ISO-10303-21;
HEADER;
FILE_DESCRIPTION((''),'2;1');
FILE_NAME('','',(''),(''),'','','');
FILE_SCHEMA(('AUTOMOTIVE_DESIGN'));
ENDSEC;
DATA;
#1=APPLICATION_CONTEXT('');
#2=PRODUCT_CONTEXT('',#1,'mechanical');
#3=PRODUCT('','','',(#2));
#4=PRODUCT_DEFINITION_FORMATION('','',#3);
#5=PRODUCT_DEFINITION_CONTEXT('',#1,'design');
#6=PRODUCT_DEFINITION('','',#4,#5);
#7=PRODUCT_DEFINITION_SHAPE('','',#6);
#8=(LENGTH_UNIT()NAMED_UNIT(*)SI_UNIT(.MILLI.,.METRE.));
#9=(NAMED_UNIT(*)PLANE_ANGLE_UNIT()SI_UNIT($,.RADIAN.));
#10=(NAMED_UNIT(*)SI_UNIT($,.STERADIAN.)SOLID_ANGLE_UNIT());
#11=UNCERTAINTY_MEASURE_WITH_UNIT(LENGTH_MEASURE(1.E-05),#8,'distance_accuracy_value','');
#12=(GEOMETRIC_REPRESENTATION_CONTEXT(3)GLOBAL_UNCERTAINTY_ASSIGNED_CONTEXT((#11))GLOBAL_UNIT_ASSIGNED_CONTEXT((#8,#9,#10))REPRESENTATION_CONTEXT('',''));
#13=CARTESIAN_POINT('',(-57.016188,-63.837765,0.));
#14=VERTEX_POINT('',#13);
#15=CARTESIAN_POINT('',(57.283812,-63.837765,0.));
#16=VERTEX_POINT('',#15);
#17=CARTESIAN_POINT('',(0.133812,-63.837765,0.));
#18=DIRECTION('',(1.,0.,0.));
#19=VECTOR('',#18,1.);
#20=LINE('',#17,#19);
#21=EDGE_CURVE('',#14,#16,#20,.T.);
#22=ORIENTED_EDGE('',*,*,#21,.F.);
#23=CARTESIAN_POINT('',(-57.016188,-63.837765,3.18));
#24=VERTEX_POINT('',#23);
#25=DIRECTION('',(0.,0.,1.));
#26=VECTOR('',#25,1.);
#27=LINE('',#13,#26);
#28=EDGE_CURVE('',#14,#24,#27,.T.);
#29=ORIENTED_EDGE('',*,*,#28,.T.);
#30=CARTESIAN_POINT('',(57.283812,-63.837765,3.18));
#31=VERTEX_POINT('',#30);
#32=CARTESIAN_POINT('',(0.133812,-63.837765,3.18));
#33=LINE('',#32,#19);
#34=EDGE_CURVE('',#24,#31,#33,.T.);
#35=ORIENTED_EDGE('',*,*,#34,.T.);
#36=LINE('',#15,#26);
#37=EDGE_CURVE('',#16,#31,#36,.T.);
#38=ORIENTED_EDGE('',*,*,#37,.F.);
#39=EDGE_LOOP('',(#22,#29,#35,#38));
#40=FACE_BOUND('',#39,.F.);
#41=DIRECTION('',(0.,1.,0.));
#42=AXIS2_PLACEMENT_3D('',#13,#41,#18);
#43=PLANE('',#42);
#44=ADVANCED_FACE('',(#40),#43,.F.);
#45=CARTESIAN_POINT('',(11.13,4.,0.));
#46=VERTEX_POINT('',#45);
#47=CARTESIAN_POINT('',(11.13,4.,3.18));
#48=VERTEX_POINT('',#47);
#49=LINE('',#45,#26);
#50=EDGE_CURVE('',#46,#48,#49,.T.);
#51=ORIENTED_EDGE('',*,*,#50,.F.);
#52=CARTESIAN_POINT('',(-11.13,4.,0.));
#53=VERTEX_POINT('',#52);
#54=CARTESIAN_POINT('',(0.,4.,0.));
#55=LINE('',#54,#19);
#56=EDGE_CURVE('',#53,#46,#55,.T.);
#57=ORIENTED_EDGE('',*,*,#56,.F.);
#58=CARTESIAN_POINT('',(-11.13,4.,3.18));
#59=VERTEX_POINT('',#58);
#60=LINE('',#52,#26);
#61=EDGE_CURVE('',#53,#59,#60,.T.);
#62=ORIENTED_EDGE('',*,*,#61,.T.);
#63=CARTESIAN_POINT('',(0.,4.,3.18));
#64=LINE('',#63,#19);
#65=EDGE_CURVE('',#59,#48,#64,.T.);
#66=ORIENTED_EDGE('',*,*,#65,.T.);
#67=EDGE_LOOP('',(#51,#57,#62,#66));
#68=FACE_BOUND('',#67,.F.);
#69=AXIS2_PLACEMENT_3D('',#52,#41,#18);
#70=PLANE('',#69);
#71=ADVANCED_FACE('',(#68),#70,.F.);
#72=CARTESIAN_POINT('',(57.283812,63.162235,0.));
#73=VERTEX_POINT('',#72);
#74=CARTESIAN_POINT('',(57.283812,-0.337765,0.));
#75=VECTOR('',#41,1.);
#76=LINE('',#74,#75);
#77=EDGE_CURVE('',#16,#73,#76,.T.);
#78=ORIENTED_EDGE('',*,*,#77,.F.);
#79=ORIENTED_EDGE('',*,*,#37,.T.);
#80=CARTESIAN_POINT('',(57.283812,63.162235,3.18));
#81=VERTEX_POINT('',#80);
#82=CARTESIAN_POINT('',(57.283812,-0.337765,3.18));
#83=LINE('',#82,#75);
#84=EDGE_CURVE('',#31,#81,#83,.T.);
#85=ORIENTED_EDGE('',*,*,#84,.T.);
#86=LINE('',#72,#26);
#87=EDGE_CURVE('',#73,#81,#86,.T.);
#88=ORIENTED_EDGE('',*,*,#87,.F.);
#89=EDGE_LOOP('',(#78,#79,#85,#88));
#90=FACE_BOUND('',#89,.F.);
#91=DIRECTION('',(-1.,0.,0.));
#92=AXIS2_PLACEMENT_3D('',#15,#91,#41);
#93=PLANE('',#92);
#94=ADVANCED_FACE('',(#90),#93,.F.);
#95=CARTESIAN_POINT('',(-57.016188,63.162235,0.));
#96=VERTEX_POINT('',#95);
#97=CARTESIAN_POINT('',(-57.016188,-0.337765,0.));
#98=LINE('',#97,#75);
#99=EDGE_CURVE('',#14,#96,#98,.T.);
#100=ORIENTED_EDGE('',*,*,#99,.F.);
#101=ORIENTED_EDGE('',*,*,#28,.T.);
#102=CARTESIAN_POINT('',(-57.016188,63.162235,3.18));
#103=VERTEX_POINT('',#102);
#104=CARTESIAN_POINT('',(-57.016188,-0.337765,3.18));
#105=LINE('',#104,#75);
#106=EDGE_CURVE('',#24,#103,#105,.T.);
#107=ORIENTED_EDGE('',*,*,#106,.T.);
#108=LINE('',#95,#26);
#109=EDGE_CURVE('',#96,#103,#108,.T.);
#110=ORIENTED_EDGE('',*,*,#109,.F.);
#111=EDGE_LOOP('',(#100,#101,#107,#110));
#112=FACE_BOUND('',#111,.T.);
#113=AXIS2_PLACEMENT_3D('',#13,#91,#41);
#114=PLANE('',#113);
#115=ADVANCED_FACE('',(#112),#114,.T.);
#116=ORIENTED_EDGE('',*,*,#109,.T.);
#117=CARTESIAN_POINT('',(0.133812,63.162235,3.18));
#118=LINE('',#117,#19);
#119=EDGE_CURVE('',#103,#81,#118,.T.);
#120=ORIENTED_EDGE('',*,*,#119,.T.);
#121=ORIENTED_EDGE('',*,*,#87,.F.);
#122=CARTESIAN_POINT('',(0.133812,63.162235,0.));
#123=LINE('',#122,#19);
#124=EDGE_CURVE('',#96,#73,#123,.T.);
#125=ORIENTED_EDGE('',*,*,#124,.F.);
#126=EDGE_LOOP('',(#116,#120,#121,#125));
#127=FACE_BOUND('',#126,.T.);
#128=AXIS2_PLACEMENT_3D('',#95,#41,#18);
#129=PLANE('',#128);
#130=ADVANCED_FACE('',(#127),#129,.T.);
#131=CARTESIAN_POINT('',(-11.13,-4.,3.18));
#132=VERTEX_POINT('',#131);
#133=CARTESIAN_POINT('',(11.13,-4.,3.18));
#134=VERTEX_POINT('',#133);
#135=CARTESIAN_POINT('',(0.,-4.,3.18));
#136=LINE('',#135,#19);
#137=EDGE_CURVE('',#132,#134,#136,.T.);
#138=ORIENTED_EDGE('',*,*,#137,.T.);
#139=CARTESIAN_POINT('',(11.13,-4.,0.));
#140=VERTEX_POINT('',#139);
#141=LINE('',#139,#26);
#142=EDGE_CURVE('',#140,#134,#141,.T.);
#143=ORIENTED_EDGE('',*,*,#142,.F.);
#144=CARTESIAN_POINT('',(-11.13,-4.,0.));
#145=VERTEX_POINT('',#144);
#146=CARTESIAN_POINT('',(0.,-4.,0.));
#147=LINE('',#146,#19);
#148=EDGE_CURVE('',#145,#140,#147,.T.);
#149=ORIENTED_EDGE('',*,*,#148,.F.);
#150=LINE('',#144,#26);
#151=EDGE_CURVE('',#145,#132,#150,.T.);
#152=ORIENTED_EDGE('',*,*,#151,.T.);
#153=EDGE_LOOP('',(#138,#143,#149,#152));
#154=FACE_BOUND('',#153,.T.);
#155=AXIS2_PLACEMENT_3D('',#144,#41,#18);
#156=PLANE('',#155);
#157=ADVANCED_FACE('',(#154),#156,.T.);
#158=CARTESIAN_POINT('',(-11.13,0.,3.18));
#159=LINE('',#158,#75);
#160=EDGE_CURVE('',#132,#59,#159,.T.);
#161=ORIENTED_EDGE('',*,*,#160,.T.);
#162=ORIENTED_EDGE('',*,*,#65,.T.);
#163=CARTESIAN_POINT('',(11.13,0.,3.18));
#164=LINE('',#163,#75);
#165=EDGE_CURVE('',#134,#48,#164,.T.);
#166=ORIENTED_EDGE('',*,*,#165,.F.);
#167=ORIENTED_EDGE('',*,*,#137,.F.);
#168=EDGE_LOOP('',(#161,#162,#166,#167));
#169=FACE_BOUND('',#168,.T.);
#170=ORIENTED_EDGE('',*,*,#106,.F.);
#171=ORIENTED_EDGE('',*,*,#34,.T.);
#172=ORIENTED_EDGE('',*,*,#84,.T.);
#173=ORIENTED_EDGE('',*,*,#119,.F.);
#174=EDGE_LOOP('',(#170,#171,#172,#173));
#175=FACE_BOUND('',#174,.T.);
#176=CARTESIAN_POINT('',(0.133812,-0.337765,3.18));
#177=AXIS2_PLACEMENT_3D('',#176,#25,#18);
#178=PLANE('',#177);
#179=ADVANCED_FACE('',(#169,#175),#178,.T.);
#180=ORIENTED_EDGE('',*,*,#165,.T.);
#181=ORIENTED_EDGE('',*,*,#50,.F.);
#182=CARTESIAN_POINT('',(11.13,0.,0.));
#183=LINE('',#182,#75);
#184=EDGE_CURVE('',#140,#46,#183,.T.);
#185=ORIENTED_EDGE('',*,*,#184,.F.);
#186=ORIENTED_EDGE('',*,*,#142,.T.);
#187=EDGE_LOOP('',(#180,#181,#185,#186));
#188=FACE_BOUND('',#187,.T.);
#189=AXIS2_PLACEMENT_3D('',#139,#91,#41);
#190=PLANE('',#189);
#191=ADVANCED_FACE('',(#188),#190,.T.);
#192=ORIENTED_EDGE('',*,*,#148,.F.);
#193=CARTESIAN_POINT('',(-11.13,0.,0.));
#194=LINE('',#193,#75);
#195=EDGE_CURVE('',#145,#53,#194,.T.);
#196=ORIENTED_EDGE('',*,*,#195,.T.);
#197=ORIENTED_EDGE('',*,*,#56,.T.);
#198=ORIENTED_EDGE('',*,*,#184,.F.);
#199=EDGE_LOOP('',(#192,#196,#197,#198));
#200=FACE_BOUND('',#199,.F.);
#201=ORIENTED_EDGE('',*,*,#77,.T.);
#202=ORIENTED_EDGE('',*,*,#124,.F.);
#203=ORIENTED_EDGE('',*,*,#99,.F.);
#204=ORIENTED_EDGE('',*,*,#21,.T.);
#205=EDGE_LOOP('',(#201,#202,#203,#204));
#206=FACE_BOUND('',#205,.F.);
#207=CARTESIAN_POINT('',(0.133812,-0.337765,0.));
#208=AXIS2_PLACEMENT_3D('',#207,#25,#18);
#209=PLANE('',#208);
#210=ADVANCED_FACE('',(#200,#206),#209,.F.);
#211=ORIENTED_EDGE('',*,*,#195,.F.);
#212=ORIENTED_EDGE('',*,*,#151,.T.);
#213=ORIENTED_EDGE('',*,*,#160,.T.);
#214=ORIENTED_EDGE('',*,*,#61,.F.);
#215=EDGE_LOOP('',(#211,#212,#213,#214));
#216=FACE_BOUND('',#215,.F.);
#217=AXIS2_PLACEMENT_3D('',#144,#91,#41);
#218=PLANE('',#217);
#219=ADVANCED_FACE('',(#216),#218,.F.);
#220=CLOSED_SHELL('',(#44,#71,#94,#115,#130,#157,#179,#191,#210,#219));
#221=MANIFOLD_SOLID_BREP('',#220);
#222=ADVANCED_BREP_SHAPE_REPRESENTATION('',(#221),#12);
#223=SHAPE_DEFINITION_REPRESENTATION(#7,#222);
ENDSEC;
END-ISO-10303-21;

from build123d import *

# Parameters (mm, degrees)
F0_W     = 114.3
F0_H     = 127
F0_W_2   = 22.26
F0_H_2   = 8
F1_DEPTH = 3.18


with BuildPart() as f1:
    # F0 (on Top) → F1 (new body)
    with BuildSketch(Plane.XY):
        with Locations((0.133812, -0.337765)):
            Rectangle(F0_W, F0_H)
        Rectangle(F0_W_2, F0_H_2, mode=Mode.SUBTRACT)
    extrude(amount=F1_DEPTH)


solid = f1.part
